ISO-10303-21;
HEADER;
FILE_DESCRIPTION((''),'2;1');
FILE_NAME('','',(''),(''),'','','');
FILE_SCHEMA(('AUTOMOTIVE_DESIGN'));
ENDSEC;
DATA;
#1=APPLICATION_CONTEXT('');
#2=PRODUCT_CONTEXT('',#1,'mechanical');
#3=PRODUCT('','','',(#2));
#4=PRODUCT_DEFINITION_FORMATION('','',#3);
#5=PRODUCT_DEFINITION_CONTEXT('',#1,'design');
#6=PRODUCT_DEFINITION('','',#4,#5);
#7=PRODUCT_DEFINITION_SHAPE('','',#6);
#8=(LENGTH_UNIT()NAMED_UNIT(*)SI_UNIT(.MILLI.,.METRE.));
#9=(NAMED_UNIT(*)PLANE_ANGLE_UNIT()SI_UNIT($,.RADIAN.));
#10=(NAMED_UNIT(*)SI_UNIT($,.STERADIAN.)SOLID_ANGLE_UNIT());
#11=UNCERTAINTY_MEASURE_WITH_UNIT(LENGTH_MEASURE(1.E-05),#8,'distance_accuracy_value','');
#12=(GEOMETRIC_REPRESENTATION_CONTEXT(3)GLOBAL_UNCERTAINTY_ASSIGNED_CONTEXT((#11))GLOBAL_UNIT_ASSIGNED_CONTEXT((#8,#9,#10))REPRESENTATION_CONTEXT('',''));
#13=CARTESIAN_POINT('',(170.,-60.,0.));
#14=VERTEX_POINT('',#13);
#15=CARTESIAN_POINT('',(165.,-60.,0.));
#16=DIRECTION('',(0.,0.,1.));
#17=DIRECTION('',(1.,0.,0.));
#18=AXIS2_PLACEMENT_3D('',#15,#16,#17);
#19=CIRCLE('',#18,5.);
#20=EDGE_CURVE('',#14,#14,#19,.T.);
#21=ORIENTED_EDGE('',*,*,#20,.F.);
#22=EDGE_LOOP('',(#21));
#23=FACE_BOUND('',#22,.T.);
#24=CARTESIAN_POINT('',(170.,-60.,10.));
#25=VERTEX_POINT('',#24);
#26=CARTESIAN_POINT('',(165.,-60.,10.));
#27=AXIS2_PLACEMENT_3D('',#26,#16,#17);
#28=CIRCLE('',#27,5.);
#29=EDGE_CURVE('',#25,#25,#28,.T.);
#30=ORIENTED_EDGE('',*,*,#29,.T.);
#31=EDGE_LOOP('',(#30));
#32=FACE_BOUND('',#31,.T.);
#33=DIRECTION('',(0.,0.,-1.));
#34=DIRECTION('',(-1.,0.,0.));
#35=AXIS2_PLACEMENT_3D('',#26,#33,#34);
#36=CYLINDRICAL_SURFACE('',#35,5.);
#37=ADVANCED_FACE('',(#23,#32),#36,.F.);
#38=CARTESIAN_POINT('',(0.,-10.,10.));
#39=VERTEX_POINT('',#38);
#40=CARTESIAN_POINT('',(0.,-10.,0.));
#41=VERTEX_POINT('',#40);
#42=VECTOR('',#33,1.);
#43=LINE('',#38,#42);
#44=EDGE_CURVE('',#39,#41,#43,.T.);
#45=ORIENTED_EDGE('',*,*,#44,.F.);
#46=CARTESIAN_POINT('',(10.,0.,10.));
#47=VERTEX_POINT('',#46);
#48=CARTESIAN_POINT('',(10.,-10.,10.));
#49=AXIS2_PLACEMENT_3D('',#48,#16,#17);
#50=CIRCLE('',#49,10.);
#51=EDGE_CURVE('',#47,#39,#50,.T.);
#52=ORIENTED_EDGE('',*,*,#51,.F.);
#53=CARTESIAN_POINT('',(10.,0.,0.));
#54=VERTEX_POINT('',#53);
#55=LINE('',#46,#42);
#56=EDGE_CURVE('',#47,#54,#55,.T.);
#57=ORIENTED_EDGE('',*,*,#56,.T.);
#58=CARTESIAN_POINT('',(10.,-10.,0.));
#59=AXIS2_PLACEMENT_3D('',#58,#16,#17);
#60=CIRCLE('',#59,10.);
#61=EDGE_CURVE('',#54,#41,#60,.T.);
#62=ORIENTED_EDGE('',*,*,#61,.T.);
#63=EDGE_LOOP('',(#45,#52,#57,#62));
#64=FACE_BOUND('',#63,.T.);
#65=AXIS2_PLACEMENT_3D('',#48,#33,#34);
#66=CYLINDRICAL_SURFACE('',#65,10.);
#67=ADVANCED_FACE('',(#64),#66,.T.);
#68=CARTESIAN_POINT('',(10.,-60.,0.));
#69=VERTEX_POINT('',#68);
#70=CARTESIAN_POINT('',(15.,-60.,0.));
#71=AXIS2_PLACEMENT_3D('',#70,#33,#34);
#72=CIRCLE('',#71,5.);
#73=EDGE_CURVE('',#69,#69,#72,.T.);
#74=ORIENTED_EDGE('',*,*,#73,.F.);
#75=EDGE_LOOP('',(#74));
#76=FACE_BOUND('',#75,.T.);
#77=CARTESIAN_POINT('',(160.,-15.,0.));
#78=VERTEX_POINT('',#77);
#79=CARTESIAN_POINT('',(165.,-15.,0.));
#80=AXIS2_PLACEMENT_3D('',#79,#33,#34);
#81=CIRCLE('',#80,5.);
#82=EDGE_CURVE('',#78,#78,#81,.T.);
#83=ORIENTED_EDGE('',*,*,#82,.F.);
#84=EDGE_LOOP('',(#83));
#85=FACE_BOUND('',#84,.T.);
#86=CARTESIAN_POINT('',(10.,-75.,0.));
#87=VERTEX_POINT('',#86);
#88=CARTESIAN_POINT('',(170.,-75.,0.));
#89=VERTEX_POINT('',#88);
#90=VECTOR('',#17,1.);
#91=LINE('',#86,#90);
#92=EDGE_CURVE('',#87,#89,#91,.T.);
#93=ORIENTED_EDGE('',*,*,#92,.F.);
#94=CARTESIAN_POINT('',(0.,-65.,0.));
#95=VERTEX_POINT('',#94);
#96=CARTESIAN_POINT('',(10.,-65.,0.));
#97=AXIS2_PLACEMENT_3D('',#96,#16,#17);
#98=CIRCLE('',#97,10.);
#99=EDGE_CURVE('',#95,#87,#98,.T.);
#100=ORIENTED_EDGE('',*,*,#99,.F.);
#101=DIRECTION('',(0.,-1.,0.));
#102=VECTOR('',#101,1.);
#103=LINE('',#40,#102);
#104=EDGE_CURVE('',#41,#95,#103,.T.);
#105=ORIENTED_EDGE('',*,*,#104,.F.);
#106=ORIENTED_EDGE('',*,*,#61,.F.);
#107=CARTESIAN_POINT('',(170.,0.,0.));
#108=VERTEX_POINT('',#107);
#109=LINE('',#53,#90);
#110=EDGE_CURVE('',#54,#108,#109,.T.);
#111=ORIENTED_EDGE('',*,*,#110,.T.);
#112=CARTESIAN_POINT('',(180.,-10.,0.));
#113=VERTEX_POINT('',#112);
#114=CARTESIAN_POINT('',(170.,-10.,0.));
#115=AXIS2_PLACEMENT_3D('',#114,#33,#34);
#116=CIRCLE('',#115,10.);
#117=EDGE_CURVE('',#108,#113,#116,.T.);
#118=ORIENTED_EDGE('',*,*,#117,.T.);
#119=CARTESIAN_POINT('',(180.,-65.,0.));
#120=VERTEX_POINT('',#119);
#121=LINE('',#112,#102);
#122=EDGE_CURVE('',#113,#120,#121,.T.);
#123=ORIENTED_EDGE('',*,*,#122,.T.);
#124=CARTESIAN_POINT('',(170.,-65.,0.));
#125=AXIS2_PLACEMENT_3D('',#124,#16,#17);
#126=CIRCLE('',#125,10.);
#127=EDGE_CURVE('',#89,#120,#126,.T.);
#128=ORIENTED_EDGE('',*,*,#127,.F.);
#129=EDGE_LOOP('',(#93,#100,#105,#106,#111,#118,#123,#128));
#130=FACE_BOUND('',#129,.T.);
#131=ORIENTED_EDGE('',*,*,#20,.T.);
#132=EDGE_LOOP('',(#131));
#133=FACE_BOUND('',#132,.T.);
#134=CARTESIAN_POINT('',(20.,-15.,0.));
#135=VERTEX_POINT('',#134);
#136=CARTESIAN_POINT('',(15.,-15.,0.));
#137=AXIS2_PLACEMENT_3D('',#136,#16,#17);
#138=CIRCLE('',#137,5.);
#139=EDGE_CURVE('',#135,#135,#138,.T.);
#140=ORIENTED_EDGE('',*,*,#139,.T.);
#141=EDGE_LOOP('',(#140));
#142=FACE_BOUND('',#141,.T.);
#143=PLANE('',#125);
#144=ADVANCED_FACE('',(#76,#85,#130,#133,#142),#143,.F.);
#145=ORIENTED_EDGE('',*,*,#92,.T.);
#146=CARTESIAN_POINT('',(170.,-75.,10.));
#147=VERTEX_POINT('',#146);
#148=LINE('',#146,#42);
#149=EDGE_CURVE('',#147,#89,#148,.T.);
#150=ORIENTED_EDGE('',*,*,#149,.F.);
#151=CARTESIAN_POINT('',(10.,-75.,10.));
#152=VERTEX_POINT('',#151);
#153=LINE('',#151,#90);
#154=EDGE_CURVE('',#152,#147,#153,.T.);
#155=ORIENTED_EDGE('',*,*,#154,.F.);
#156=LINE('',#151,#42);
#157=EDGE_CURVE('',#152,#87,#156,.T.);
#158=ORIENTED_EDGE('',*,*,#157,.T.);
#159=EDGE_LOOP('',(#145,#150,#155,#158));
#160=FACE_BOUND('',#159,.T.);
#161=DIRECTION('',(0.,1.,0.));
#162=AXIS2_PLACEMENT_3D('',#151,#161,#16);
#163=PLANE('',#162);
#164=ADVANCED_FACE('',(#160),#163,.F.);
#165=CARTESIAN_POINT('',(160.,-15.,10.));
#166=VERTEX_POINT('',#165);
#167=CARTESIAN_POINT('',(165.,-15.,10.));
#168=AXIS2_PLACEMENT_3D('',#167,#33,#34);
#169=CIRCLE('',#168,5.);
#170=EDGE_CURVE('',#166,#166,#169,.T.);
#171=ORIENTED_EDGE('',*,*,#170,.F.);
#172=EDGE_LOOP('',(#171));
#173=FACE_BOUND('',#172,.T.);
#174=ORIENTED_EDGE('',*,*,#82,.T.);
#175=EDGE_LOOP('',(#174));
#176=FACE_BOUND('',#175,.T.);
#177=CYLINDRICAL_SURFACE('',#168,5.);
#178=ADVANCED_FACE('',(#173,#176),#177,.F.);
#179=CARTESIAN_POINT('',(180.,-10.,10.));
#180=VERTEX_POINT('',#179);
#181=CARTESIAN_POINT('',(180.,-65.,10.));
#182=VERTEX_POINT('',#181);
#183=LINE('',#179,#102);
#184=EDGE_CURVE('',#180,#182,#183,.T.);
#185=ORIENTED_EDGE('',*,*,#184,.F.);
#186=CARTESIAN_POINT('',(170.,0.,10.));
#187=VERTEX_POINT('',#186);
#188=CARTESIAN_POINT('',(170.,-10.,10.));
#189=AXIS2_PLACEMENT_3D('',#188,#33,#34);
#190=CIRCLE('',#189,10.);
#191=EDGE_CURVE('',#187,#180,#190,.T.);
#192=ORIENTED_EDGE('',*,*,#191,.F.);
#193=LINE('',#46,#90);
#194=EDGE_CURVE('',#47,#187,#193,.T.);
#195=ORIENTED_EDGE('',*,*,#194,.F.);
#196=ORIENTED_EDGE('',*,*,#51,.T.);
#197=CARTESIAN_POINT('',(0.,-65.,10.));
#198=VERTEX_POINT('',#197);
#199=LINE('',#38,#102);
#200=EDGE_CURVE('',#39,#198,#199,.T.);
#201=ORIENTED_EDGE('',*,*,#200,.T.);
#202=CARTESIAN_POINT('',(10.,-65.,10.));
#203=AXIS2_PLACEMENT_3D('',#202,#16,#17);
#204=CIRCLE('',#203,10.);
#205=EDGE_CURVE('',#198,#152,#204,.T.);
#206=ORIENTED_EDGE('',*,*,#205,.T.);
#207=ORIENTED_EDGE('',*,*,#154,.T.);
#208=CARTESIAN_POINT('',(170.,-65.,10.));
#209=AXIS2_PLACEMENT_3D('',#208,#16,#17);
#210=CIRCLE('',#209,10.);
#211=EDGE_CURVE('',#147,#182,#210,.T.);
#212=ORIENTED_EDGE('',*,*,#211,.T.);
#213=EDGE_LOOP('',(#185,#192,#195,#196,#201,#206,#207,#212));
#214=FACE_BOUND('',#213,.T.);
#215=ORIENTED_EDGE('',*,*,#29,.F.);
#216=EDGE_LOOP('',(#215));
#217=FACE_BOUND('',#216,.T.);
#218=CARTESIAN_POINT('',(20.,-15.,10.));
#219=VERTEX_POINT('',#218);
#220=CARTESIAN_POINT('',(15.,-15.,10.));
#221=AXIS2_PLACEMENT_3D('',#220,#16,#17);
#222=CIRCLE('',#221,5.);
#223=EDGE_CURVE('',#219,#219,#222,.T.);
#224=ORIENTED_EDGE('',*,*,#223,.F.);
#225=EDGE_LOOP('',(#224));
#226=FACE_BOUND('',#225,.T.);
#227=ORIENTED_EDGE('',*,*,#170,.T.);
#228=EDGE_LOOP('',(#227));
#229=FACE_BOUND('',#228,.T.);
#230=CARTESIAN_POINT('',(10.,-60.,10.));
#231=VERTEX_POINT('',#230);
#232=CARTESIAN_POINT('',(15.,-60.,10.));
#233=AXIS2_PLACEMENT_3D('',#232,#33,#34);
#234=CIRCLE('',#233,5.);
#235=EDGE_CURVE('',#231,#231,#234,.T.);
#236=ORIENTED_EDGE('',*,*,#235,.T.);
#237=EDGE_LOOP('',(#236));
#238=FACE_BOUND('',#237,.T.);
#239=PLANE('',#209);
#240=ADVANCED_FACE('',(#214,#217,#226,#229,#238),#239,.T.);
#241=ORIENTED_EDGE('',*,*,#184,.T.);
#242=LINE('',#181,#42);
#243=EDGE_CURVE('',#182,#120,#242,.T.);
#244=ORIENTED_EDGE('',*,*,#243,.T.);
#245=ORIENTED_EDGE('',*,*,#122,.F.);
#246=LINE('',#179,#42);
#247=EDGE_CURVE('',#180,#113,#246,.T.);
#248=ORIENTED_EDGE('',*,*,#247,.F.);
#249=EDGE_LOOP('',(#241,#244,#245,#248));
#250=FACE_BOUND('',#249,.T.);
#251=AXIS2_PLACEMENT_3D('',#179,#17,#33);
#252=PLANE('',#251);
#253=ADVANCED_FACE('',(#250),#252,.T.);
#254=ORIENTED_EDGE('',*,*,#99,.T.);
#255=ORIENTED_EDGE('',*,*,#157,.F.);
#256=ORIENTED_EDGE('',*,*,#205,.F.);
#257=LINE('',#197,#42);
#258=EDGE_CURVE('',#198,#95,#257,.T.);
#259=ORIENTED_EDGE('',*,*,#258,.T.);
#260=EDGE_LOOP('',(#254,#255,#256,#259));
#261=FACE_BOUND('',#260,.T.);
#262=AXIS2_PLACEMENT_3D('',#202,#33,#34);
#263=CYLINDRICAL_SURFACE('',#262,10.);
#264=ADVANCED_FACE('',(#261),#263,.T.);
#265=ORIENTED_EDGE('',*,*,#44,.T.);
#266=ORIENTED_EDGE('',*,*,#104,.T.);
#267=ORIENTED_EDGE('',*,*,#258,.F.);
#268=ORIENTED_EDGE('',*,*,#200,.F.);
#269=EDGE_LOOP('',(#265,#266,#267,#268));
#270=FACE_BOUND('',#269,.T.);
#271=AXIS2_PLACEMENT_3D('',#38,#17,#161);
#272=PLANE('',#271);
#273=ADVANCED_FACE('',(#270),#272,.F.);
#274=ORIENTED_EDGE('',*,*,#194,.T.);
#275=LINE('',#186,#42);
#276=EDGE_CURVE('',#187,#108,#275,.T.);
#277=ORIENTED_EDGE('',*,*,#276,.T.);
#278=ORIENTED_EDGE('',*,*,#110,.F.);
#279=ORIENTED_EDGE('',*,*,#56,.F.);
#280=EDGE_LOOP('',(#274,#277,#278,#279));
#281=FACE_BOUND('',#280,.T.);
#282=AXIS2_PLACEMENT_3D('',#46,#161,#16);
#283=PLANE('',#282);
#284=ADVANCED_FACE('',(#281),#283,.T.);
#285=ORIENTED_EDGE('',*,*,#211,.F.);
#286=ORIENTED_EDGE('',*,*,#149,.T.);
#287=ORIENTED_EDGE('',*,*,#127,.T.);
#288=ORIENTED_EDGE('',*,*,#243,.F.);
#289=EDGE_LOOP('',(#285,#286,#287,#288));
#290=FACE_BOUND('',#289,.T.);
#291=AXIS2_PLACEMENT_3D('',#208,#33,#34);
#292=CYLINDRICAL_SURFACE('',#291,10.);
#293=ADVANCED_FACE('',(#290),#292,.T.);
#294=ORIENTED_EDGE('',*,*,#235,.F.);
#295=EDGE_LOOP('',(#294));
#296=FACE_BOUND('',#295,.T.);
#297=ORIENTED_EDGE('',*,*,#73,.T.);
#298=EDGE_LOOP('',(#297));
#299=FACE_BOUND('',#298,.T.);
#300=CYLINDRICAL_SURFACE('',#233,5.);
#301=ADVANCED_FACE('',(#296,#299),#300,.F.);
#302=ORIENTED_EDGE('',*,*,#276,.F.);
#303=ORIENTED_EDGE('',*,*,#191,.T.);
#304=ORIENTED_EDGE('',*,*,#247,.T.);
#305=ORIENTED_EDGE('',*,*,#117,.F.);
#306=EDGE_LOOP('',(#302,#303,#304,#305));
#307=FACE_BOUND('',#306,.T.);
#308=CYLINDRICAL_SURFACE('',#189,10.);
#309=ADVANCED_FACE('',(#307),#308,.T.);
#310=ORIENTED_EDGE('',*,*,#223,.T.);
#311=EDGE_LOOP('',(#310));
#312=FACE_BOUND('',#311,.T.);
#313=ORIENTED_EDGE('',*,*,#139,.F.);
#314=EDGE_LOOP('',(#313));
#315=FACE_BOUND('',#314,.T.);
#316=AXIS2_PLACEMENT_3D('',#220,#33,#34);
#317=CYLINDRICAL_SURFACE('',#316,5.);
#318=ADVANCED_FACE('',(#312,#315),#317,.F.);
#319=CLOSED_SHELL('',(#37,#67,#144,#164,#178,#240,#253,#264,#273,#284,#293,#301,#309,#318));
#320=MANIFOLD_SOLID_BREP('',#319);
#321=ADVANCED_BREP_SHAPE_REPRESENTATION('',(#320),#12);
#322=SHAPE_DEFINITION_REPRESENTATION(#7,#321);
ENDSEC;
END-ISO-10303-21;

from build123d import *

# Parameters (mm, degrees)
BOSS_EXTRUDE1_DEPTH = 10
SKETCH6_R           = 5
CUT_EXTRUDE1_DEPTH  = 10
SKETCH6_4_R         = 5
CUT_EXTRUDE4_DEPTH  = 10


with BuildPart() as part:
    # Sketch2 → Boss-Extrude1 (new body)
    with BuildSketch(Plane.XY):
        with BuildLine():
            Line((10, 0), (170, 0))
            ThreePointArc((170, 0), (177.071067812, -2.928932188), (180, -10))
            Line((180, -10), (180, -65))
            ThreePointArc((180, -65), (177.071067812, -72.071067812), (170, -75))
            Line((170, -75), (10, -75))
            ThreePointArc((10, -75), (2.928932188, -72.071067812), (0, -65))
            Line((0, -65), (0, -10))
            ThreePointArc((0, -10), (2.928932188, -2.928932188), (10, 0))
        make_face()
    extrude(amount=BOSS_EXTRUDE1_DEPTH)

    # Sketch6 → Cut-Extrude1 (cut)
    with BuildSketch(Plane.XY):
        with Locations((15, -15)):
            Circle(SKETCH6_R)
    extrude(amount=CUT_EXTRUDE1_DEPTH, mode=Mode.SUBTRACT)

    # Sketch6<4> → Cut-Extrude4 (cut)
    with BuildSketch(Plane.XY):
        with Locations((165, -15)):
            Circle(SKETCH6_4_R)
        with Locations((15, -60)):
            Circle(SKETCH6_4_R)
        with Locations((165, -60)):
            Circle(SKETCH6_4_R)
    extrude(amount=CUT_EXTRUDE4_DEPTH, mode=Mode.SUBTRACT)


solid = part.part
